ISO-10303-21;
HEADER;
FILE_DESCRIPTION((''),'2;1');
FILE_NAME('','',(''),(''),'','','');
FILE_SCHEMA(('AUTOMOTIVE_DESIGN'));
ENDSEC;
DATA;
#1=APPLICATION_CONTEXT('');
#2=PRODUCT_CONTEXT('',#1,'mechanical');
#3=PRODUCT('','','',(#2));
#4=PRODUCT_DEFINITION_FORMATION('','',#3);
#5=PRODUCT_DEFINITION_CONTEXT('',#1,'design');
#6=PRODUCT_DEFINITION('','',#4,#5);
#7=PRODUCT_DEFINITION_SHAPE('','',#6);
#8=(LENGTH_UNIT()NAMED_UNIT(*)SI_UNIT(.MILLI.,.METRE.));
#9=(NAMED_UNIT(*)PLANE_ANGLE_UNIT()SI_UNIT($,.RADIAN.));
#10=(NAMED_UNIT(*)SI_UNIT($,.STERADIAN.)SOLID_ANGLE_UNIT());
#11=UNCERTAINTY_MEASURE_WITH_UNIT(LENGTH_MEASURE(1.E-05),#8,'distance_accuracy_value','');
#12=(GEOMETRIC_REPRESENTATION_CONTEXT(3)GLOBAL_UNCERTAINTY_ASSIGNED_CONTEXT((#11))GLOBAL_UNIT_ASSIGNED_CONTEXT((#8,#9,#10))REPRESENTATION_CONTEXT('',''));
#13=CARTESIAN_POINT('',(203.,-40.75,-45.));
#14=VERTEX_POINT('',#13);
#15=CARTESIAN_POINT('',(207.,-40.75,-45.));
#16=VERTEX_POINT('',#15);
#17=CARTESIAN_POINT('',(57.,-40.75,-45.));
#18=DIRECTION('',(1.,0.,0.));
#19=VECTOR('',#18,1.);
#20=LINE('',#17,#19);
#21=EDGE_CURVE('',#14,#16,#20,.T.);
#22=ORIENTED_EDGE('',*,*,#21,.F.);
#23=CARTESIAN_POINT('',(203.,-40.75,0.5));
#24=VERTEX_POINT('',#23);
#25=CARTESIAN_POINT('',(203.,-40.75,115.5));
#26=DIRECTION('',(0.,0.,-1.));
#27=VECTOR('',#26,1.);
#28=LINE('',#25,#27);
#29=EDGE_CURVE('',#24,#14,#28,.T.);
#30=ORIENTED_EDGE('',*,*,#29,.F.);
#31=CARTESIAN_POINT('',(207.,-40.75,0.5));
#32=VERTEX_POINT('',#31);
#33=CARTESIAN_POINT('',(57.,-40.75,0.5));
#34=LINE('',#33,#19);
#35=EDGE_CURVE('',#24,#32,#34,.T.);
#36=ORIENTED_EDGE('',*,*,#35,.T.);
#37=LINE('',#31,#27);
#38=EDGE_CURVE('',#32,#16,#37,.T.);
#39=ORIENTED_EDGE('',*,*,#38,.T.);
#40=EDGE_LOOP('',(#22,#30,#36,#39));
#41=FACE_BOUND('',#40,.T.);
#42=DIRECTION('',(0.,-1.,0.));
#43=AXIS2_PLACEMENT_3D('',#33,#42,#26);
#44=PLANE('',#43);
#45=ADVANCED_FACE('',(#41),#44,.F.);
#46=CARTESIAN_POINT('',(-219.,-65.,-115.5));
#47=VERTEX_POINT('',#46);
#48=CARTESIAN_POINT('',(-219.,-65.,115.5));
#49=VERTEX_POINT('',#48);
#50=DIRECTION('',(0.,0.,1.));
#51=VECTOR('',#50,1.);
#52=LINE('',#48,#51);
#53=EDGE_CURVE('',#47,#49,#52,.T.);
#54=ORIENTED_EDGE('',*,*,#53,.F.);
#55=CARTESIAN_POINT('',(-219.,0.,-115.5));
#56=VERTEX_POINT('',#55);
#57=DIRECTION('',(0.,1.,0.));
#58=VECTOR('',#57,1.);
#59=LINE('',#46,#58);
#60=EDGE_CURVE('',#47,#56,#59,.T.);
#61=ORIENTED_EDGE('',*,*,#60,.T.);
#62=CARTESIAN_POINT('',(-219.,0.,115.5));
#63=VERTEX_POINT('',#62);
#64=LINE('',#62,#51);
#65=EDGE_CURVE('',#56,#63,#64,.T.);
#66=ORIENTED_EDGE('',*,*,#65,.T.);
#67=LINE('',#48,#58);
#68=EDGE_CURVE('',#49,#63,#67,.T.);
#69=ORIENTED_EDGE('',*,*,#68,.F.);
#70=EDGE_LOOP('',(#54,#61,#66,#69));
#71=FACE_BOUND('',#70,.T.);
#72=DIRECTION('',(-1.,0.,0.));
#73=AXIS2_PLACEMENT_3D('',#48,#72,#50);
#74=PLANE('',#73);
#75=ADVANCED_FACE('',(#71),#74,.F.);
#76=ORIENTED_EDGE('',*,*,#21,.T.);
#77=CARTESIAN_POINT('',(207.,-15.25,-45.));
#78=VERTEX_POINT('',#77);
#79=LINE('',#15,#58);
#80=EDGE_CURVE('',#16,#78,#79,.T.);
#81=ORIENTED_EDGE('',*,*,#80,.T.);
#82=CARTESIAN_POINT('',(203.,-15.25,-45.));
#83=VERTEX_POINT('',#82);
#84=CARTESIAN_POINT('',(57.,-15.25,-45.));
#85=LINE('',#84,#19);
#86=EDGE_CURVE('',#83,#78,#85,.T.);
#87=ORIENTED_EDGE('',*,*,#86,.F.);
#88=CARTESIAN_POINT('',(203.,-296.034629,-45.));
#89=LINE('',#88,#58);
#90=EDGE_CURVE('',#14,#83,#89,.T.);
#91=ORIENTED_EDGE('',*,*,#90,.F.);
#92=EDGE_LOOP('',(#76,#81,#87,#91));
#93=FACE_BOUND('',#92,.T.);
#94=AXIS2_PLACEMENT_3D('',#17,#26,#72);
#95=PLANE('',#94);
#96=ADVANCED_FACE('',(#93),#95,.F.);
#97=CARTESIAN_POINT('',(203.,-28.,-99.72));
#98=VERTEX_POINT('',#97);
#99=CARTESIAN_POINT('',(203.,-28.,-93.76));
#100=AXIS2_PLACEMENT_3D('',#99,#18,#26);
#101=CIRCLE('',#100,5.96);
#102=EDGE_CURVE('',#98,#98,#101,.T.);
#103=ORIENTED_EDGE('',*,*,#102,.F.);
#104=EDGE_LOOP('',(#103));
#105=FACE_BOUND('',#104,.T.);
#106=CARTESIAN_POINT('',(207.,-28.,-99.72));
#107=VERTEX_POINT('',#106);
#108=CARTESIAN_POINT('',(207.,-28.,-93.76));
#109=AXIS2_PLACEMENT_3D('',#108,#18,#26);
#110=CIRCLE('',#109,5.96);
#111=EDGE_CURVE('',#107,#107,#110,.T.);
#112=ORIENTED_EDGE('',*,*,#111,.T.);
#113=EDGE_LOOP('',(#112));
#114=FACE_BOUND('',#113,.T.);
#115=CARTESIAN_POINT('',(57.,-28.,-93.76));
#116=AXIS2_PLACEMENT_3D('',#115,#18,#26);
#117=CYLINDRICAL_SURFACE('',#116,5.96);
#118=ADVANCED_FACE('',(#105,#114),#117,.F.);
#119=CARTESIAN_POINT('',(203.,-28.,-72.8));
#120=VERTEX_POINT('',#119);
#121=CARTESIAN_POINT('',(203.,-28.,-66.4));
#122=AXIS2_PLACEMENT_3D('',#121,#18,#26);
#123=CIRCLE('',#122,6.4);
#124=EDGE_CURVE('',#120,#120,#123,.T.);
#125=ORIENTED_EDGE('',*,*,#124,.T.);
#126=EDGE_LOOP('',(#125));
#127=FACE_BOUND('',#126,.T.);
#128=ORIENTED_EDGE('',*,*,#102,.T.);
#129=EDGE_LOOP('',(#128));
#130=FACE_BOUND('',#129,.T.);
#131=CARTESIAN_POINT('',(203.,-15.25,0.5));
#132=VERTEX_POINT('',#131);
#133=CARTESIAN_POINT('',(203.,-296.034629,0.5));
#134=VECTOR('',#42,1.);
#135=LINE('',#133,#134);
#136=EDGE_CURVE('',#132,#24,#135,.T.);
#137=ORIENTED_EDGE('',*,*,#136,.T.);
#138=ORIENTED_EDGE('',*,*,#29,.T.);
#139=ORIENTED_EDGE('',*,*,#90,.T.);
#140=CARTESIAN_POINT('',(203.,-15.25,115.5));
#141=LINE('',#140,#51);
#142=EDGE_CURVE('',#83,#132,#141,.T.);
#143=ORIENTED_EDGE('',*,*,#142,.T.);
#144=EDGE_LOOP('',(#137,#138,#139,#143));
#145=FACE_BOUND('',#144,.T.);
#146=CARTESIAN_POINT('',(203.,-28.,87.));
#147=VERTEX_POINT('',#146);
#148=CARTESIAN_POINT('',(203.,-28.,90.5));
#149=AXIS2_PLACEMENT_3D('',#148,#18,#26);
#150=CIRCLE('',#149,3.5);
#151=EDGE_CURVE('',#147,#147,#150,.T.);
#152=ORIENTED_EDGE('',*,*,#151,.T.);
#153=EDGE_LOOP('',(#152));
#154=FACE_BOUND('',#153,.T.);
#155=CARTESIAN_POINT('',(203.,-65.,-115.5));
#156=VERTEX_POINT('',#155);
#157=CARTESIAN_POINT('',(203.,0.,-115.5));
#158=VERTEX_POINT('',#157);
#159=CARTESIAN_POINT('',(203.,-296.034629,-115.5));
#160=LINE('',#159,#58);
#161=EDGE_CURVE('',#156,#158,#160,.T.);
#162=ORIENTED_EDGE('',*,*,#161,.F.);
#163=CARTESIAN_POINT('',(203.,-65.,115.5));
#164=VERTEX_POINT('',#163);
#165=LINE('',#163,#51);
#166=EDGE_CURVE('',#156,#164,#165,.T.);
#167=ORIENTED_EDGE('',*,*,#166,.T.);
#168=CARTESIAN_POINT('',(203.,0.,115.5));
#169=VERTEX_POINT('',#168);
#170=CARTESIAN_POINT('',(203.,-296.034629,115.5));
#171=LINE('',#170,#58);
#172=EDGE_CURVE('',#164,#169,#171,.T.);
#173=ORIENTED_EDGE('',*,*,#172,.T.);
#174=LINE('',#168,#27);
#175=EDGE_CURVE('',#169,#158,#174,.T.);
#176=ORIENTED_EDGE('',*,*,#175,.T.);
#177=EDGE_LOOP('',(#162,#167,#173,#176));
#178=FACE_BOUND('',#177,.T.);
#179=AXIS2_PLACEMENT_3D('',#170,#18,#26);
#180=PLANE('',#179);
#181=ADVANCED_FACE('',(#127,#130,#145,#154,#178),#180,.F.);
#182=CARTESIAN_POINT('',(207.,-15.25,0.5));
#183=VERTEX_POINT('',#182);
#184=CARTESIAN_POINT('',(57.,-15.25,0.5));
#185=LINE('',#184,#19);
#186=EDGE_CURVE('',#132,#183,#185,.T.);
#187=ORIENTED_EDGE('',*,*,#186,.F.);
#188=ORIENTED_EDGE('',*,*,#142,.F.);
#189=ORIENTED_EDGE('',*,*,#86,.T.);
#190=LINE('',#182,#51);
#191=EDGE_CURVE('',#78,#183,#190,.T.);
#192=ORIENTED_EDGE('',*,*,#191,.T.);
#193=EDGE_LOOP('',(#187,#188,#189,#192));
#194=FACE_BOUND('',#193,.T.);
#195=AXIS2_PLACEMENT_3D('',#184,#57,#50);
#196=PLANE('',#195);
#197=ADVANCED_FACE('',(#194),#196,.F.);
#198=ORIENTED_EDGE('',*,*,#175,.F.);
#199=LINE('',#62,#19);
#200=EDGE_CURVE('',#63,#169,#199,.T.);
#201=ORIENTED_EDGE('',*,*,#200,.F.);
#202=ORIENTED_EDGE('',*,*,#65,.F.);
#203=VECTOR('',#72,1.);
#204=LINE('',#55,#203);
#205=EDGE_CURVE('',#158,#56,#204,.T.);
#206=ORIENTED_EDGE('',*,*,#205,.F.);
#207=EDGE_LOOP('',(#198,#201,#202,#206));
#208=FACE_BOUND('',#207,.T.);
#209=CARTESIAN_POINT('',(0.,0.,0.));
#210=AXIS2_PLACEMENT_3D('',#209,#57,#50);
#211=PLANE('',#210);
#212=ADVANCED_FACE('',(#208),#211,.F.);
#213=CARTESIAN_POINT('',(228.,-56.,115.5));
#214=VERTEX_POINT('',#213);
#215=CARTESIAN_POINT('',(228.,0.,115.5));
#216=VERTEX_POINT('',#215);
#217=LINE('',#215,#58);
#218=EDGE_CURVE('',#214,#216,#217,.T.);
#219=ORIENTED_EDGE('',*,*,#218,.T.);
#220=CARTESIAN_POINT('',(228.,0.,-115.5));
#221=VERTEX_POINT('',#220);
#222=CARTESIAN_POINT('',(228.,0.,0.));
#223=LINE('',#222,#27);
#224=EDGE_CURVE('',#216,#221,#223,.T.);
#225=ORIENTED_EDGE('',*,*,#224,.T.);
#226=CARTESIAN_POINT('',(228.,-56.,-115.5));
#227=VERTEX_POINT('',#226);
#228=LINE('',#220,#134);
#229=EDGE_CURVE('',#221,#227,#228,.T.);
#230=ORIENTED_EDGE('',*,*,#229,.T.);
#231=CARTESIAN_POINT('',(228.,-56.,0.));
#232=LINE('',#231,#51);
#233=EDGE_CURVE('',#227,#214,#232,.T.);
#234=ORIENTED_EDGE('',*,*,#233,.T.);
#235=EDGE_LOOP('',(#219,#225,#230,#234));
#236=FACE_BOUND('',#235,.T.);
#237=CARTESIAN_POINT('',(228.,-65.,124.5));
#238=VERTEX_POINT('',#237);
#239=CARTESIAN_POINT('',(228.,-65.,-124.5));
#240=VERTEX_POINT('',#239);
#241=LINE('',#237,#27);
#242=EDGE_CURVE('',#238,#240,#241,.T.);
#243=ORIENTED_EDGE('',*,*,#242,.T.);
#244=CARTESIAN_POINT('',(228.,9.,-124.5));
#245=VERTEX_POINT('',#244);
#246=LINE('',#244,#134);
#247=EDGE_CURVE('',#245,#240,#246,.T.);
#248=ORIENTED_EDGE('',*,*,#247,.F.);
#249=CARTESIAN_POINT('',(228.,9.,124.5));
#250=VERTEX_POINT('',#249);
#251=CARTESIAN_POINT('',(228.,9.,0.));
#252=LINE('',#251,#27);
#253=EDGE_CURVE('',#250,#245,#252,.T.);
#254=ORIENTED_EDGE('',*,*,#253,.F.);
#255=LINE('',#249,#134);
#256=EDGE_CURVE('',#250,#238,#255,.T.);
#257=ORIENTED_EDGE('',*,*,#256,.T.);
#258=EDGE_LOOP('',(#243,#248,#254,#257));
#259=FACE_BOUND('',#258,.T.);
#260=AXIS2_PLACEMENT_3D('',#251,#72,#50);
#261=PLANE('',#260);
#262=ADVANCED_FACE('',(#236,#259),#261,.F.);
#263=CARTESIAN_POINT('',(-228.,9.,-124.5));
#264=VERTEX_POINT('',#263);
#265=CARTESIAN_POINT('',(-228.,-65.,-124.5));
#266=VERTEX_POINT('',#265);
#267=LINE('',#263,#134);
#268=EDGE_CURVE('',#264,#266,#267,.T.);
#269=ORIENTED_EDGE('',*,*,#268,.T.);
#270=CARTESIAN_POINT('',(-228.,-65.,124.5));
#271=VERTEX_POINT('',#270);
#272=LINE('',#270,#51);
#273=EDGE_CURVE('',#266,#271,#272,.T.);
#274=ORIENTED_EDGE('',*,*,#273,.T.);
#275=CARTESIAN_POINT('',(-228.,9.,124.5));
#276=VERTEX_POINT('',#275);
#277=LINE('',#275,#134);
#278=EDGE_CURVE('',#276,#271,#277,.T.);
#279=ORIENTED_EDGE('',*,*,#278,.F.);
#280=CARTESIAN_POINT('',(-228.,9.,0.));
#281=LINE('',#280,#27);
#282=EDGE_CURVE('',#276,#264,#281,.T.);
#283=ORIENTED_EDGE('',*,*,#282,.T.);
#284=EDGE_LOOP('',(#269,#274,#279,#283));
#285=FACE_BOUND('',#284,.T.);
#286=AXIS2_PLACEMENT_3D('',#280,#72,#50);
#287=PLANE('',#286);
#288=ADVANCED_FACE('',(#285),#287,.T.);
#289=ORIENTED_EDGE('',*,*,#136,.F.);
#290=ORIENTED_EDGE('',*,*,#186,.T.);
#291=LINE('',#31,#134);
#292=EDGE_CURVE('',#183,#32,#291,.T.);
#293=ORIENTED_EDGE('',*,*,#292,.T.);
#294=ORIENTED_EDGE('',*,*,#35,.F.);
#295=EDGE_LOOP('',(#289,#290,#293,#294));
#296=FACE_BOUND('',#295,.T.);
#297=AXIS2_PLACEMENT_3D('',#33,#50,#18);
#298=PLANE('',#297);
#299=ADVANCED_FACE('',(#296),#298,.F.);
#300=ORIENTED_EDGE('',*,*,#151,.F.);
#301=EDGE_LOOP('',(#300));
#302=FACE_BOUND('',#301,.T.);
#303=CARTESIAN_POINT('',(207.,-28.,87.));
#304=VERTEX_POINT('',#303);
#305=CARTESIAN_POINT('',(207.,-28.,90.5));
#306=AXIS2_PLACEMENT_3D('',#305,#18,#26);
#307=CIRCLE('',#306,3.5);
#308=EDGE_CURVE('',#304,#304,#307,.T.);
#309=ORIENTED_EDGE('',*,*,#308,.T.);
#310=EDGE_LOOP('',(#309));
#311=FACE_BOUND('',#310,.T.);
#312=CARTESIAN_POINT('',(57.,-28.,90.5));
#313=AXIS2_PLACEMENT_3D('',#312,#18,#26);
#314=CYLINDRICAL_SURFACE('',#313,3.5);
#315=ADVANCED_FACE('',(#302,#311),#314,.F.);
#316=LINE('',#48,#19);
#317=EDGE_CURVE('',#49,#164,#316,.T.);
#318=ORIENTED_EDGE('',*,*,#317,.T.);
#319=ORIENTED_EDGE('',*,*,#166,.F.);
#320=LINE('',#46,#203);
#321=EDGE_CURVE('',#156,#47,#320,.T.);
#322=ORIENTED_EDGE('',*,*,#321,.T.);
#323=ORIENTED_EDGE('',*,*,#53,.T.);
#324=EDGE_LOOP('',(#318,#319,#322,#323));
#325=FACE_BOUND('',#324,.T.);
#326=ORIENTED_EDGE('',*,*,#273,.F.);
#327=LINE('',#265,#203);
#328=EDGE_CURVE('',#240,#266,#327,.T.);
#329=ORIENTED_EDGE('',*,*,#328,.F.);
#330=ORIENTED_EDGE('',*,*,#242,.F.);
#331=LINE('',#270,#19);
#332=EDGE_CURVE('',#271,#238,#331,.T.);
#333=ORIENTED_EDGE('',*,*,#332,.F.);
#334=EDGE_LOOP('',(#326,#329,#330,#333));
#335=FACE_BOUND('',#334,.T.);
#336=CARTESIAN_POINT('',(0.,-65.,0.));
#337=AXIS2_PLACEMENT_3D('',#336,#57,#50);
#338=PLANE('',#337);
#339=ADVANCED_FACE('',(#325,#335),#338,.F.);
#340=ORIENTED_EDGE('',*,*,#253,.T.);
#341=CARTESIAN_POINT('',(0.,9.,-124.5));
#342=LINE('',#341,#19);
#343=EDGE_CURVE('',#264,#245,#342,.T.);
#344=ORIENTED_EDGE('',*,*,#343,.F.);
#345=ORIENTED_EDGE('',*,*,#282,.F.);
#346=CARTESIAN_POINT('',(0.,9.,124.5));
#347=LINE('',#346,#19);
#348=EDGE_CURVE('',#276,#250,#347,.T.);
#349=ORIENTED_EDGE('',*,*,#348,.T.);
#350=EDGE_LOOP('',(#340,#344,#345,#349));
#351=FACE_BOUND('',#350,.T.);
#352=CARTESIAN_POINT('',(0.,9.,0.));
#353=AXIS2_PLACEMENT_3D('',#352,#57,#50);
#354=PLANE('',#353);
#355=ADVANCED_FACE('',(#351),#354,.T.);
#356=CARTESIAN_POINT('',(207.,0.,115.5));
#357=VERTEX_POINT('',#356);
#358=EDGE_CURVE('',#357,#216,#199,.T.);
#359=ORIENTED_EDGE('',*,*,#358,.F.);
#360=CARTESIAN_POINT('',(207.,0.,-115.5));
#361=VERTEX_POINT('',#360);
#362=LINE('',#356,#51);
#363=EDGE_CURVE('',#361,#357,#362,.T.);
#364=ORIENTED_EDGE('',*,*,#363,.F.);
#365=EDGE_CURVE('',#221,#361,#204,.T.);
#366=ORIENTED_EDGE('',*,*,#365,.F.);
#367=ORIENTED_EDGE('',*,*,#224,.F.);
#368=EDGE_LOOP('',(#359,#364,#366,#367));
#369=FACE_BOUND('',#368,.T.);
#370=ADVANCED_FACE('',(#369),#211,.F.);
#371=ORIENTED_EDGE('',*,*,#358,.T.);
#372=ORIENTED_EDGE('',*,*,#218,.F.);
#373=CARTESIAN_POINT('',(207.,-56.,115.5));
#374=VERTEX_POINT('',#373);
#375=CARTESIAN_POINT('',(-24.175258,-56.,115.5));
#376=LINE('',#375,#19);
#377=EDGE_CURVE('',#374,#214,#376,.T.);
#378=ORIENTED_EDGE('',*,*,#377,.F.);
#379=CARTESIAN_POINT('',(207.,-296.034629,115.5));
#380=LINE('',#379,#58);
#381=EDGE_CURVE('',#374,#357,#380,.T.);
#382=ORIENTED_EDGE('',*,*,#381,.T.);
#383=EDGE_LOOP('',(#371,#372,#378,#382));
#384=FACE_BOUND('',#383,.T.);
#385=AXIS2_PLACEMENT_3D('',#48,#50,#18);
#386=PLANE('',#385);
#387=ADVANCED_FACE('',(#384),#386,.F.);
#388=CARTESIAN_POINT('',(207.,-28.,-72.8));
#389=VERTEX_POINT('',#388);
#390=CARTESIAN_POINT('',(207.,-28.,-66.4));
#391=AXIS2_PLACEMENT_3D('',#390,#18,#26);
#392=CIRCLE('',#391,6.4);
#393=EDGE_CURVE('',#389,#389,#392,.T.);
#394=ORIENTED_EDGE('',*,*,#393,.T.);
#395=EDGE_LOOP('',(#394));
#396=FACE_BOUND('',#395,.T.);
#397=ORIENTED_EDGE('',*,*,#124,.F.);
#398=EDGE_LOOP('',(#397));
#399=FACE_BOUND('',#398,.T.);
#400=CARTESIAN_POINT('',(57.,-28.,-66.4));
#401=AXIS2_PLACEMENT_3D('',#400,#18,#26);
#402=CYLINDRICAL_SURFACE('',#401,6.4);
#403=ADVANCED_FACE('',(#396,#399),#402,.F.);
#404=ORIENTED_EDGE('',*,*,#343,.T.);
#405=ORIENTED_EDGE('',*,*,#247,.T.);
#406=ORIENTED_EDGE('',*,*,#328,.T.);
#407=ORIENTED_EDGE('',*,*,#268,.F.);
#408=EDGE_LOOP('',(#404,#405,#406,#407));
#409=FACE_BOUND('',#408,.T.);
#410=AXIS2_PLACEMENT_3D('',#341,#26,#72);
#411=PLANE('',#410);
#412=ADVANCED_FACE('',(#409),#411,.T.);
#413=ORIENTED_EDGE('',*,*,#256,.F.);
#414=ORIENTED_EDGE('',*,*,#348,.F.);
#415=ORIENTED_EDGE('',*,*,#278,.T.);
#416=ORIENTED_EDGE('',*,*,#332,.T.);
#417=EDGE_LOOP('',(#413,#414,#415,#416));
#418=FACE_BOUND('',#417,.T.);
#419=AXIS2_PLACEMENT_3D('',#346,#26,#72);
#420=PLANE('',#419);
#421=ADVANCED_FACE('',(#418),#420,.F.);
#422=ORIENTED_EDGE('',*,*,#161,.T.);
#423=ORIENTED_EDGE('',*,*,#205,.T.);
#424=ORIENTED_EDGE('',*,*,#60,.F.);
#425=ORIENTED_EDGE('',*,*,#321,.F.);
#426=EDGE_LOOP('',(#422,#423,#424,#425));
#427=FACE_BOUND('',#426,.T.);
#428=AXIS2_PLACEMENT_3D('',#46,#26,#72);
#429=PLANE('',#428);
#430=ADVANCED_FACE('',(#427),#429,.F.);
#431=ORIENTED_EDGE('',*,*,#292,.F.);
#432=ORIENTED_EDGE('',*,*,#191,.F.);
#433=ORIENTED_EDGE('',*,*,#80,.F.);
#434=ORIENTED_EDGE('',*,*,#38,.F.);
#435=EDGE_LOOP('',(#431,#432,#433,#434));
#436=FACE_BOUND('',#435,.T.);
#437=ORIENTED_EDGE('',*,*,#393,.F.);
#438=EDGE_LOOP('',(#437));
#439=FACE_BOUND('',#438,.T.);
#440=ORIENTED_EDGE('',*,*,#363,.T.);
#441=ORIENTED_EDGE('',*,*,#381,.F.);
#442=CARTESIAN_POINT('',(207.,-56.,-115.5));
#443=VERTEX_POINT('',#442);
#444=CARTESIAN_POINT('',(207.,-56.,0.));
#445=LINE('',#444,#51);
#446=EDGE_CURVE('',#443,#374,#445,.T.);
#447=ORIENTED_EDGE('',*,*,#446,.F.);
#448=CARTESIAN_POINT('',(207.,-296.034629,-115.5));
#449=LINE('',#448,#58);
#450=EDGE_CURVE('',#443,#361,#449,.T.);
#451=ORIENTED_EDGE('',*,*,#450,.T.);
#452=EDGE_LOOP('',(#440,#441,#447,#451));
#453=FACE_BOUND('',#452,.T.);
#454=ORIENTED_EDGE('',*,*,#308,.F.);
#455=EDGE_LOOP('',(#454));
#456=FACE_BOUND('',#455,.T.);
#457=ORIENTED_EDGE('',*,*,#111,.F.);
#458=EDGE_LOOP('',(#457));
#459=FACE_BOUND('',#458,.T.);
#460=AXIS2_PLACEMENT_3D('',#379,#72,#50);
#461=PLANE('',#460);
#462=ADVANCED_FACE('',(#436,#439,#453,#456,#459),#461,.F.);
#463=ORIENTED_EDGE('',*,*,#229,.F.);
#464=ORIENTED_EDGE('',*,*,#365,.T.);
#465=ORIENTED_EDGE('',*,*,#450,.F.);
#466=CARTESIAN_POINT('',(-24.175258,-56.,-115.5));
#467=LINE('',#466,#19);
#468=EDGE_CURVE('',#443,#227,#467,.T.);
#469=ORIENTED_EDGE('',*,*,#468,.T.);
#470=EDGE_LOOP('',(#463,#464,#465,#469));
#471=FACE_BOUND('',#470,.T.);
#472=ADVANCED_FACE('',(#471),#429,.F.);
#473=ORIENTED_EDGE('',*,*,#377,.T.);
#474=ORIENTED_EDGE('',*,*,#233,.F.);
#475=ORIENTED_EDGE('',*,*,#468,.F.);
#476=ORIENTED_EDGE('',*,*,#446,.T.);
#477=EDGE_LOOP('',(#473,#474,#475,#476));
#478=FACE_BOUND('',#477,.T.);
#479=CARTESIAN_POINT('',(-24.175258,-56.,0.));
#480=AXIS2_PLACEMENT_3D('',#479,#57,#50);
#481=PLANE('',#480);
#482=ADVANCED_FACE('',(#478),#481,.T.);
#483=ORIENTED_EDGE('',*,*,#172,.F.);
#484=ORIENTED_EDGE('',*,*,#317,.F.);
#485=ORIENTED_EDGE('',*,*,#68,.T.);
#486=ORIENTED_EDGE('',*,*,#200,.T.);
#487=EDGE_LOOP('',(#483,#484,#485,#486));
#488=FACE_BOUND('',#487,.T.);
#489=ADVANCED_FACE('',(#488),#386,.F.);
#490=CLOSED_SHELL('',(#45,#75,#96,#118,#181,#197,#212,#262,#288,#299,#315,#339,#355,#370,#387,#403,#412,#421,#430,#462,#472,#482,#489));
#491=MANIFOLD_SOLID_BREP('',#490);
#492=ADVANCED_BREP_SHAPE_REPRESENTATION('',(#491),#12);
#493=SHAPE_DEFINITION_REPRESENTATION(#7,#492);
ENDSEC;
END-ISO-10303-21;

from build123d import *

# Parameters (mm, degrees)
SKETCH1_W           = 456
SKETCH1_H           = 249
SKETCH1_W_2         = 438
SKETCH1_H_2         = 231
BOSS_EXTRUDE4_DEPTH = 9
SKETCH1_5_W         = 456
SKETCH1_5_H         = 249
SKETCH1_5_W_2       = 438
SKETCH1_5_H_2       = 231
BOSS_EXTRUDE5_DEPTH = 65
SKETCH5_W           = 231
SKETCH5_H           = 56
SKETCH5_H_2         = 9
CUT_EXTRUDE1_DEPTH  = 469.544821762
SKETCH6_W           = 4
SKETCH6_H           = 231
BOSS_EXTRUDE6_DEPTH = 65
BOSS_EXTRUDE7_START = -9
SKETCH5_3_W         = 231
SKETCH5_3_H         = 9
BOSS_EXTRUDE7_DEPTH = 21
SKETCH7_R           = 3.5
SKETCH7_R_2         = 6.4
SKETCH7_R_3         = 5.96
SKETCH7_W           = 45.5
SKETCH7_H           = 25.5
CUT_EXTRUDE2_DEPTH  = 150


with BuildPart() as part:
    # Sketch1 → Boss-Extrude4 (new body)
    with BuildSketch(Plane(origin=(0, 0, 0), x_dir=(1, 0, 0), z_dir=(0, 1, 0))):
        Rectangle(SKETCH1_W, SKETCH1_H)
        Rectangle(SKETCH1_W_2, SKETCH1_H_2, mode=Mode.SUBTRACT)
        Rectangle(SKETCH1_W_2, SKETCH1_H_2)
    extrude(amount=BOSS_EXTRUDE4_DEPTH)

    # Sketch1<5> → Boss-Extrude5 (add)
    with BuildSketch(Plane(origin=(0, 0, 0), x_dir=(1, 0, 0), z_dir=(0, 1, 0))):
        Rectangle(SKETCH1_5_W, SKETCH1_5_H)
        Rectangle(SKETCH1_5_W_2, SKETCH1_5_H_2, mode=Mode.SUBTRACT)
    extrude(amount=-BOSS_EXTRUDE5_DEPTH)

    # Sketch5 → Cut-Extrude1 (cut, through all)
    with BuildSketch(Plane.ZY.offset(-219)):
        with Locations((0, -28)):
            Rectangle(SKETCH5_W, SKETCH5_H)
        with Locations((0, -60.5)):
            Rectangle(SKETCH5_W, SKETCH5_H_2)
    extrude(amount=-CUT_EXTRUDE1_DEPTH, mode=Mode.SUBTRACT)

    # Sketch6 → Boss-Extrude6 (add)
    with BuildSketch(Plane.XZ):
        with Locations((205, 0)):
            Rectangle(SKETCH6_W, SKETCH6_H)
    extrude(amount=BOSS_EXTRUDE6_DEPTH)

    # Sketch5<3> → Boss-Extrude7 (add)
    with BuildSketch(Plane.ZY.offset(-219).offset(BOSS_EXTRUDE7_START)):
        with Locations((0, -60.5)):
            Rectangle(SKETCH5_3_W, SKETCH5_3_H)
    extrude(amount=BOSS_EXTRUDE7_DEPTH)

    # Sketch7 → Cut-Extrude2 (cut)
    with BuildSketch(Plane(origin=(207, 0, 0), x_dir=(0, 0, -1), z_dir=(1, 0, 0))):
        with Locations((-90.5, -28)):
            Circle(SKETCH7_R)
        with Locations((66.4, -28)):
            Circle(SKETCH7_R_2)
        with Locations((93.76, -28)):
            Circle(SKETCH7_R_3)
        with Locations((22.25, -28)):
            Rectangle(SKETCH7_W, SKETCH7_H)
    extrude(amount=-CUT_EXTRUDE2_DEPTH, mode=Mode.SUBTRACT)


solid = part.part
